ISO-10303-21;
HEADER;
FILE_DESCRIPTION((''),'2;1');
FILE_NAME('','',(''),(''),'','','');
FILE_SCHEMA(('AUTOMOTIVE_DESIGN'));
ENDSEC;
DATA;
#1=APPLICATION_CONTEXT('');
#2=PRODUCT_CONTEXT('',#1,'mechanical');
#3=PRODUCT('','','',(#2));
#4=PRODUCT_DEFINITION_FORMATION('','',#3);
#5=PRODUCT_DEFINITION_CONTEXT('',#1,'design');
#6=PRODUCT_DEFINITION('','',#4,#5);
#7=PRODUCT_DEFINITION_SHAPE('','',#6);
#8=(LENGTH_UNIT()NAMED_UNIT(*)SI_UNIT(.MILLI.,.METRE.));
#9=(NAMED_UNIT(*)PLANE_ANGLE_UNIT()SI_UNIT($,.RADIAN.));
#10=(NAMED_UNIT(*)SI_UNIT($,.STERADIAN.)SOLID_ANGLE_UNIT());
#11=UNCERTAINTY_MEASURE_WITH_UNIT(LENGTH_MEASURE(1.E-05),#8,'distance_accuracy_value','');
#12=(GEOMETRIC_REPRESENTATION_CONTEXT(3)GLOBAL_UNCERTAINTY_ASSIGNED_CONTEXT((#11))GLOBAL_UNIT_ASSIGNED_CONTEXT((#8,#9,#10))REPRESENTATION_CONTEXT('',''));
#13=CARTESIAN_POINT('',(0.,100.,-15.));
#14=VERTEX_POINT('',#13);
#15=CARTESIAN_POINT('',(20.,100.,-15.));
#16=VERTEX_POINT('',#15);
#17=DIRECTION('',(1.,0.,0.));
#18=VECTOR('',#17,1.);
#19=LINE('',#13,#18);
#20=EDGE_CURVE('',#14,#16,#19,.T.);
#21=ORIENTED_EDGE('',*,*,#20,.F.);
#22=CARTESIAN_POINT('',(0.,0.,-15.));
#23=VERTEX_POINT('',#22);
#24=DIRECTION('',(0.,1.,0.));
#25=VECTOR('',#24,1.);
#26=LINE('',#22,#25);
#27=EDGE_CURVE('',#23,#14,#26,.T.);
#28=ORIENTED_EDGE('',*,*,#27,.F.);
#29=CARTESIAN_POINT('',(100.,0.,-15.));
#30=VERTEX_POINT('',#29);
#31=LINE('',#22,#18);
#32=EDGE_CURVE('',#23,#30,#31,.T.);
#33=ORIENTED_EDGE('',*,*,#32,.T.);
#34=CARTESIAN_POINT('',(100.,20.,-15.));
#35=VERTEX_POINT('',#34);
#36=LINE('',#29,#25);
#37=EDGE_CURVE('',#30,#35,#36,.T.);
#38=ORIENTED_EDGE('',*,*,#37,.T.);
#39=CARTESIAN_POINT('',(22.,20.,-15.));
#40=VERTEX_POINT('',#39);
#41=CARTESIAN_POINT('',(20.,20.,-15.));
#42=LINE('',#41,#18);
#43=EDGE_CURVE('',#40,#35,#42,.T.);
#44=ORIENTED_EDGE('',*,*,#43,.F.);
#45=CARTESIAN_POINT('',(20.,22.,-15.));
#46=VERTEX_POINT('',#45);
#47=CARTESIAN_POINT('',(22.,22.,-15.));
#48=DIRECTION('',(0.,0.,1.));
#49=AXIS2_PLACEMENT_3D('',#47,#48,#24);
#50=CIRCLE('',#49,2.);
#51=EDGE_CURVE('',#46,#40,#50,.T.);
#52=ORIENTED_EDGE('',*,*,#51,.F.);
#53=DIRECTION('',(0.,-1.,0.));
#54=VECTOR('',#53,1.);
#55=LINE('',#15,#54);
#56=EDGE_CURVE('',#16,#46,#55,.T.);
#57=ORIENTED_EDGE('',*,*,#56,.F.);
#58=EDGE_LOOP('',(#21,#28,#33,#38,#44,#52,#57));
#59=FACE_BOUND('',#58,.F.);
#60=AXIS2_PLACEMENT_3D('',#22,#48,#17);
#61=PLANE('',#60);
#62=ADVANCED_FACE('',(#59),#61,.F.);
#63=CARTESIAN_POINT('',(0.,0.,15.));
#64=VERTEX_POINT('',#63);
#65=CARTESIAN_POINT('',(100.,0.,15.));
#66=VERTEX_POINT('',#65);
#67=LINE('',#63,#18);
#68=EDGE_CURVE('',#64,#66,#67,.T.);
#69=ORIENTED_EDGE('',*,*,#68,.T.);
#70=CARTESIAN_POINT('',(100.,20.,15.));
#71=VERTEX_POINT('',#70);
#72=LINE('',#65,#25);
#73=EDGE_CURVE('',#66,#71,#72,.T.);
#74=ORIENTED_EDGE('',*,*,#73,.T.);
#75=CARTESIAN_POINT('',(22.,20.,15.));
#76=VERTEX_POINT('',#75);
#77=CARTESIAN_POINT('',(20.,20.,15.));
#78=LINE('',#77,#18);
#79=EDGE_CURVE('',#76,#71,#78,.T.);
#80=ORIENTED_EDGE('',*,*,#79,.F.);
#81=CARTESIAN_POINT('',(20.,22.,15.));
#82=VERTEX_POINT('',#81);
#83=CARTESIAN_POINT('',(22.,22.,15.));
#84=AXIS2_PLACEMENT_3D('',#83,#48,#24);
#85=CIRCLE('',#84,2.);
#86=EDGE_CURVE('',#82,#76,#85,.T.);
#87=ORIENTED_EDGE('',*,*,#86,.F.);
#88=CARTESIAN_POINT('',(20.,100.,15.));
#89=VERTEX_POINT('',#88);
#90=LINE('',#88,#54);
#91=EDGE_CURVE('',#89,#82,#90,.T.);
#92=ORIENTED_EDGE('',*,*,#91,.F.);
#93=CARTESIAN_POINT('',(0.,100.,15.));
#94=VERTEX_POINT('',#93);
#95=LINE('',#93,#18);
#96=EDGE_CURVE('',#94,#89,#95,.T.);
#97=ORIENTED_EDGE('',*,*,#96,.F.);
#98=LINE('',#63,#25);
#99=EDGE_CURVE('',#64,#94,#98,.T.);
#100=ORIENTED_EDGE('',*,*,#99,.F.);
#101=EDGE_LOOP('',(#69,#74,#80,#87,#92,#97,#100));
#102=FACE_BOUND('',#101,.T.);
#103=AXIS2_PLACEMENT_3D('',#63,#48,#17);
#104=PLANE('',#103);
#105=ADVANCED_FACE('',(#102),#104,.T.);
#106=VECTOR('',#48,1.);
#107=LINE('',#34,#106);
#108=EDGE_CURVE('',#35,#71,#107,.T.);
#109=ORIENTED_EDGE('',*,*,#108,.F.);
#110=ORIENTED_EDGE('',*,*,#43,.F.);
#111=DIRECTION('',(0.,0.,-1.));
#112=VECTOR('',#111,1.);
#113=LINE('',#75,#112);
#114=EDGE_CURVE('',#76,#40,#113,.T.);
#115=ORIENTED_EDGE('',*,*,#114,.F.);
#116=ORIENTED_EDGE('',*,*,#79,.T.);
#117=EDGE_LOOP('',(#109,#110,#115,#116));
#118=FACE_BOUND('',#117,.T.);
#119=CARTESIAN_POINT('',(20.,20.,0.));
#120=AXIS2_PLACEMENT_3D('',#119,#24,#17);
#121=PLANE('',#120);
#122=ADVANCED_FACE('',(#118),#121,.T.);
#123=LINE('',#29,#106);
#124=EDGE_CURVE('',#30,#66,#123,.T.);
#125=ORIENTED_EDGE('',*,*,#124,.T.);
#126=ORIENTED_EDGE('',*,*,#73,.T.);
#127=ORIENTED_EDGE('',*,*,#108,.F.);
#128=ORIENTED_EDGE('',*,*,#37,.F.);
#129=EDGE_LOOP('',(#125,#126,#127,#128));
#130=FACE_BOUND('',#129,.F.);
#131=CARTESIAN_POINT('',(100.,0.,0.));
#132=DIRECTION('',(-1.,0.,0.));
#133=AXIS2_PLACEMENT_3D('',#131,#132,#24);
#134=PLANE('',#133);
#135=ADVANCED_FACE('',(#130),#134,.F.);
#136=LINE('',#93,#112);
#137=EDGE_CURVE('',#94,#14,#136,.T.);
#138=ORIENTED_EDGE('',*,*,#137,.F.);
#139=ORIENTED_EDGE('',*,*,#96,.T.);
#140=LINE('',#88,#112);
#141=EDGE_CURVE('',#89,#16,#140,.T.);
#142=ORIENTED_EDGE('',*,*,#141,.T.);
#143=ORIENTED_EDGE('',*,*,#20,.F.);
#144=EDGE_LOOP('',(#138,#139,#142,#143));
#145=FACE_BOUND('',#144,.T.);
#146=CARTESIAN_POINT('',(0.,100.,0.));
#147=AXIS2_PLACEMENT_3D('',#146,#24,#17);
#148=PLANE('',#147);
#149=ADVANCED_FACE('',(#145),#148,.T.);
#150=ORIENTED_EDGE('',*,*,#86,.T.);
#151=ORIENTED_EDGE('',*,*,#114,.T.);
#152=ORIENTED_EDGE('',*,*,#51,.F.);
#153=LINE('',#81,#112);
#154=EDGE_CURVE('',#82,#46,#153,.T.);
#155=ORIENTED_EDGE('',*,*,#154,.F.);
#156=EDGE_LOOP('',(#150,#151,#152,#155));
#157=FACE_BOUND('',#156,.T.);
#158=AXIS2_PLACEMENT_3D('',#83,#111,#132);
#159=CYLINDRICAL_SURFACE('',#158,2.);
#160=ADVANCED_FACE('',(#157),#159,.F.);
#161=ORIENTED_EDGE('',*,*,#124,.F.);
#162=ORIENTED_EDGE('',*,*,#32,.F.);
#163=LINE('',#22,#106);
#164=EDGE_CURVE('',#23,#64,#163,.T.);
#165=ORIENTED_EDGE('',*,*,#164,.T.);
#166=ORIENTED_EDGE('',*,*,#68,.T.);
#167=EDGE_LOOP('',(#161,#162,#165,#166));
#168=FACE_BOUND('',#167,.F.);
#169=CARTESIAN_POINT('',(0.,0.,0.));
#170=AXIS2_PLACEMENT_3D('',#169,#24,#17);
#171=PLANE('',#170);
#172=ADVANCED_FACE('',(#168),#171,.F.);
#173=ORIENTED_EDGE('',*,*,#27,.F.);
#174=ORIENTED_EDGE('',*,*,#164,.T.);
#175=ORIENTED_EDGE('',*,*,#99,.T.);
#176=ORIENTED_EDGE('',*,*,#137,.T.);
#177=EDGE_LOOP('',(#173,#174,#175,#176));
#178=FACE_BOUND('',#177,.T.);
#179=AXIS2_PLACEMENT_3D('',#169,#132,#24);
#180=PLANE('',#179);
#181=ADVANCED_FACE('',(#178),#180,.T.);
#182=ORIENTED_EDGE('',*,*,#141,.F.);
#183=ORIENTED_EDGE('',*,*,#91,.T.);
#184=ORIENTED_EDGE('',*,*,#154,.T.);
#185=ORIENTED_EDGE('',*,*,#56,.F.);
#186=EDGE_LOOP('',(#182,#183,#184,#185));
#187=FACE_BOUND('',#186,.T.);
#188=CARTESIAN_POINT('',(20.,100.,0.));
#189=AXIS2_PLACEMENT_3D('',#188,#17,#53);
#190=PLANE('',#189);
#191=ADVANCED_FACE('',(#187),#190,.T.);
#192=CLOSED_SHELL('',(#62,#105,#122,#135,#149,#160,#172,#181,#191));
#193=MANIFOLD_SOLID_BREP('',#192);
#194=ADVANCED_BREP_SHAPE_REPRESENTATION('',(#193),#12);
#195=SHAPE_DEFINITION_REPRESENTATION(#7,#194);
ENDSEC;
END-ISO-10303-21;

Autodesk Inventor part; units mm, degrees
ref_plane "YZ Plane" through (0, 0, 0) normal (1, 0, 0) x (0, 1, 0)
ref_plane "XZ Plane" through (0, 0, 0) normal (0, 1, 0) x (-1, 0, 0)
ref_plane "XY Plane" through (0, 0, 0) normal (0, 0, 1) x (1, 0, 0)
sketch "Sketch1" plane through (0, 0, 0) normal (0, 0, 1) x (1, 0, 0)
  line L0 (0, 0) -> (100, 0)
  line L1 (100, 0) -> (100, 20)
  line L2 (0, 0) -> (0, 100)
  line L3 (0, 100) -> (20, 100)
  line L4 (20, 100) -> (20, 20)
  line L5 (20, 20) -> (100, 20)
  dimension "d0" = 100
  dimension "d1" = 20
  dimension "d2" = 100
  dimension "d3" = 20
extrude "Extrusion1" add sketch "Sketch1" along normal mid plane 30
fillet "Fillet1" radius 2 1 edges at (20, 20, 0)
properties part number "CE-10.1.3" material "Stainless Steel"
